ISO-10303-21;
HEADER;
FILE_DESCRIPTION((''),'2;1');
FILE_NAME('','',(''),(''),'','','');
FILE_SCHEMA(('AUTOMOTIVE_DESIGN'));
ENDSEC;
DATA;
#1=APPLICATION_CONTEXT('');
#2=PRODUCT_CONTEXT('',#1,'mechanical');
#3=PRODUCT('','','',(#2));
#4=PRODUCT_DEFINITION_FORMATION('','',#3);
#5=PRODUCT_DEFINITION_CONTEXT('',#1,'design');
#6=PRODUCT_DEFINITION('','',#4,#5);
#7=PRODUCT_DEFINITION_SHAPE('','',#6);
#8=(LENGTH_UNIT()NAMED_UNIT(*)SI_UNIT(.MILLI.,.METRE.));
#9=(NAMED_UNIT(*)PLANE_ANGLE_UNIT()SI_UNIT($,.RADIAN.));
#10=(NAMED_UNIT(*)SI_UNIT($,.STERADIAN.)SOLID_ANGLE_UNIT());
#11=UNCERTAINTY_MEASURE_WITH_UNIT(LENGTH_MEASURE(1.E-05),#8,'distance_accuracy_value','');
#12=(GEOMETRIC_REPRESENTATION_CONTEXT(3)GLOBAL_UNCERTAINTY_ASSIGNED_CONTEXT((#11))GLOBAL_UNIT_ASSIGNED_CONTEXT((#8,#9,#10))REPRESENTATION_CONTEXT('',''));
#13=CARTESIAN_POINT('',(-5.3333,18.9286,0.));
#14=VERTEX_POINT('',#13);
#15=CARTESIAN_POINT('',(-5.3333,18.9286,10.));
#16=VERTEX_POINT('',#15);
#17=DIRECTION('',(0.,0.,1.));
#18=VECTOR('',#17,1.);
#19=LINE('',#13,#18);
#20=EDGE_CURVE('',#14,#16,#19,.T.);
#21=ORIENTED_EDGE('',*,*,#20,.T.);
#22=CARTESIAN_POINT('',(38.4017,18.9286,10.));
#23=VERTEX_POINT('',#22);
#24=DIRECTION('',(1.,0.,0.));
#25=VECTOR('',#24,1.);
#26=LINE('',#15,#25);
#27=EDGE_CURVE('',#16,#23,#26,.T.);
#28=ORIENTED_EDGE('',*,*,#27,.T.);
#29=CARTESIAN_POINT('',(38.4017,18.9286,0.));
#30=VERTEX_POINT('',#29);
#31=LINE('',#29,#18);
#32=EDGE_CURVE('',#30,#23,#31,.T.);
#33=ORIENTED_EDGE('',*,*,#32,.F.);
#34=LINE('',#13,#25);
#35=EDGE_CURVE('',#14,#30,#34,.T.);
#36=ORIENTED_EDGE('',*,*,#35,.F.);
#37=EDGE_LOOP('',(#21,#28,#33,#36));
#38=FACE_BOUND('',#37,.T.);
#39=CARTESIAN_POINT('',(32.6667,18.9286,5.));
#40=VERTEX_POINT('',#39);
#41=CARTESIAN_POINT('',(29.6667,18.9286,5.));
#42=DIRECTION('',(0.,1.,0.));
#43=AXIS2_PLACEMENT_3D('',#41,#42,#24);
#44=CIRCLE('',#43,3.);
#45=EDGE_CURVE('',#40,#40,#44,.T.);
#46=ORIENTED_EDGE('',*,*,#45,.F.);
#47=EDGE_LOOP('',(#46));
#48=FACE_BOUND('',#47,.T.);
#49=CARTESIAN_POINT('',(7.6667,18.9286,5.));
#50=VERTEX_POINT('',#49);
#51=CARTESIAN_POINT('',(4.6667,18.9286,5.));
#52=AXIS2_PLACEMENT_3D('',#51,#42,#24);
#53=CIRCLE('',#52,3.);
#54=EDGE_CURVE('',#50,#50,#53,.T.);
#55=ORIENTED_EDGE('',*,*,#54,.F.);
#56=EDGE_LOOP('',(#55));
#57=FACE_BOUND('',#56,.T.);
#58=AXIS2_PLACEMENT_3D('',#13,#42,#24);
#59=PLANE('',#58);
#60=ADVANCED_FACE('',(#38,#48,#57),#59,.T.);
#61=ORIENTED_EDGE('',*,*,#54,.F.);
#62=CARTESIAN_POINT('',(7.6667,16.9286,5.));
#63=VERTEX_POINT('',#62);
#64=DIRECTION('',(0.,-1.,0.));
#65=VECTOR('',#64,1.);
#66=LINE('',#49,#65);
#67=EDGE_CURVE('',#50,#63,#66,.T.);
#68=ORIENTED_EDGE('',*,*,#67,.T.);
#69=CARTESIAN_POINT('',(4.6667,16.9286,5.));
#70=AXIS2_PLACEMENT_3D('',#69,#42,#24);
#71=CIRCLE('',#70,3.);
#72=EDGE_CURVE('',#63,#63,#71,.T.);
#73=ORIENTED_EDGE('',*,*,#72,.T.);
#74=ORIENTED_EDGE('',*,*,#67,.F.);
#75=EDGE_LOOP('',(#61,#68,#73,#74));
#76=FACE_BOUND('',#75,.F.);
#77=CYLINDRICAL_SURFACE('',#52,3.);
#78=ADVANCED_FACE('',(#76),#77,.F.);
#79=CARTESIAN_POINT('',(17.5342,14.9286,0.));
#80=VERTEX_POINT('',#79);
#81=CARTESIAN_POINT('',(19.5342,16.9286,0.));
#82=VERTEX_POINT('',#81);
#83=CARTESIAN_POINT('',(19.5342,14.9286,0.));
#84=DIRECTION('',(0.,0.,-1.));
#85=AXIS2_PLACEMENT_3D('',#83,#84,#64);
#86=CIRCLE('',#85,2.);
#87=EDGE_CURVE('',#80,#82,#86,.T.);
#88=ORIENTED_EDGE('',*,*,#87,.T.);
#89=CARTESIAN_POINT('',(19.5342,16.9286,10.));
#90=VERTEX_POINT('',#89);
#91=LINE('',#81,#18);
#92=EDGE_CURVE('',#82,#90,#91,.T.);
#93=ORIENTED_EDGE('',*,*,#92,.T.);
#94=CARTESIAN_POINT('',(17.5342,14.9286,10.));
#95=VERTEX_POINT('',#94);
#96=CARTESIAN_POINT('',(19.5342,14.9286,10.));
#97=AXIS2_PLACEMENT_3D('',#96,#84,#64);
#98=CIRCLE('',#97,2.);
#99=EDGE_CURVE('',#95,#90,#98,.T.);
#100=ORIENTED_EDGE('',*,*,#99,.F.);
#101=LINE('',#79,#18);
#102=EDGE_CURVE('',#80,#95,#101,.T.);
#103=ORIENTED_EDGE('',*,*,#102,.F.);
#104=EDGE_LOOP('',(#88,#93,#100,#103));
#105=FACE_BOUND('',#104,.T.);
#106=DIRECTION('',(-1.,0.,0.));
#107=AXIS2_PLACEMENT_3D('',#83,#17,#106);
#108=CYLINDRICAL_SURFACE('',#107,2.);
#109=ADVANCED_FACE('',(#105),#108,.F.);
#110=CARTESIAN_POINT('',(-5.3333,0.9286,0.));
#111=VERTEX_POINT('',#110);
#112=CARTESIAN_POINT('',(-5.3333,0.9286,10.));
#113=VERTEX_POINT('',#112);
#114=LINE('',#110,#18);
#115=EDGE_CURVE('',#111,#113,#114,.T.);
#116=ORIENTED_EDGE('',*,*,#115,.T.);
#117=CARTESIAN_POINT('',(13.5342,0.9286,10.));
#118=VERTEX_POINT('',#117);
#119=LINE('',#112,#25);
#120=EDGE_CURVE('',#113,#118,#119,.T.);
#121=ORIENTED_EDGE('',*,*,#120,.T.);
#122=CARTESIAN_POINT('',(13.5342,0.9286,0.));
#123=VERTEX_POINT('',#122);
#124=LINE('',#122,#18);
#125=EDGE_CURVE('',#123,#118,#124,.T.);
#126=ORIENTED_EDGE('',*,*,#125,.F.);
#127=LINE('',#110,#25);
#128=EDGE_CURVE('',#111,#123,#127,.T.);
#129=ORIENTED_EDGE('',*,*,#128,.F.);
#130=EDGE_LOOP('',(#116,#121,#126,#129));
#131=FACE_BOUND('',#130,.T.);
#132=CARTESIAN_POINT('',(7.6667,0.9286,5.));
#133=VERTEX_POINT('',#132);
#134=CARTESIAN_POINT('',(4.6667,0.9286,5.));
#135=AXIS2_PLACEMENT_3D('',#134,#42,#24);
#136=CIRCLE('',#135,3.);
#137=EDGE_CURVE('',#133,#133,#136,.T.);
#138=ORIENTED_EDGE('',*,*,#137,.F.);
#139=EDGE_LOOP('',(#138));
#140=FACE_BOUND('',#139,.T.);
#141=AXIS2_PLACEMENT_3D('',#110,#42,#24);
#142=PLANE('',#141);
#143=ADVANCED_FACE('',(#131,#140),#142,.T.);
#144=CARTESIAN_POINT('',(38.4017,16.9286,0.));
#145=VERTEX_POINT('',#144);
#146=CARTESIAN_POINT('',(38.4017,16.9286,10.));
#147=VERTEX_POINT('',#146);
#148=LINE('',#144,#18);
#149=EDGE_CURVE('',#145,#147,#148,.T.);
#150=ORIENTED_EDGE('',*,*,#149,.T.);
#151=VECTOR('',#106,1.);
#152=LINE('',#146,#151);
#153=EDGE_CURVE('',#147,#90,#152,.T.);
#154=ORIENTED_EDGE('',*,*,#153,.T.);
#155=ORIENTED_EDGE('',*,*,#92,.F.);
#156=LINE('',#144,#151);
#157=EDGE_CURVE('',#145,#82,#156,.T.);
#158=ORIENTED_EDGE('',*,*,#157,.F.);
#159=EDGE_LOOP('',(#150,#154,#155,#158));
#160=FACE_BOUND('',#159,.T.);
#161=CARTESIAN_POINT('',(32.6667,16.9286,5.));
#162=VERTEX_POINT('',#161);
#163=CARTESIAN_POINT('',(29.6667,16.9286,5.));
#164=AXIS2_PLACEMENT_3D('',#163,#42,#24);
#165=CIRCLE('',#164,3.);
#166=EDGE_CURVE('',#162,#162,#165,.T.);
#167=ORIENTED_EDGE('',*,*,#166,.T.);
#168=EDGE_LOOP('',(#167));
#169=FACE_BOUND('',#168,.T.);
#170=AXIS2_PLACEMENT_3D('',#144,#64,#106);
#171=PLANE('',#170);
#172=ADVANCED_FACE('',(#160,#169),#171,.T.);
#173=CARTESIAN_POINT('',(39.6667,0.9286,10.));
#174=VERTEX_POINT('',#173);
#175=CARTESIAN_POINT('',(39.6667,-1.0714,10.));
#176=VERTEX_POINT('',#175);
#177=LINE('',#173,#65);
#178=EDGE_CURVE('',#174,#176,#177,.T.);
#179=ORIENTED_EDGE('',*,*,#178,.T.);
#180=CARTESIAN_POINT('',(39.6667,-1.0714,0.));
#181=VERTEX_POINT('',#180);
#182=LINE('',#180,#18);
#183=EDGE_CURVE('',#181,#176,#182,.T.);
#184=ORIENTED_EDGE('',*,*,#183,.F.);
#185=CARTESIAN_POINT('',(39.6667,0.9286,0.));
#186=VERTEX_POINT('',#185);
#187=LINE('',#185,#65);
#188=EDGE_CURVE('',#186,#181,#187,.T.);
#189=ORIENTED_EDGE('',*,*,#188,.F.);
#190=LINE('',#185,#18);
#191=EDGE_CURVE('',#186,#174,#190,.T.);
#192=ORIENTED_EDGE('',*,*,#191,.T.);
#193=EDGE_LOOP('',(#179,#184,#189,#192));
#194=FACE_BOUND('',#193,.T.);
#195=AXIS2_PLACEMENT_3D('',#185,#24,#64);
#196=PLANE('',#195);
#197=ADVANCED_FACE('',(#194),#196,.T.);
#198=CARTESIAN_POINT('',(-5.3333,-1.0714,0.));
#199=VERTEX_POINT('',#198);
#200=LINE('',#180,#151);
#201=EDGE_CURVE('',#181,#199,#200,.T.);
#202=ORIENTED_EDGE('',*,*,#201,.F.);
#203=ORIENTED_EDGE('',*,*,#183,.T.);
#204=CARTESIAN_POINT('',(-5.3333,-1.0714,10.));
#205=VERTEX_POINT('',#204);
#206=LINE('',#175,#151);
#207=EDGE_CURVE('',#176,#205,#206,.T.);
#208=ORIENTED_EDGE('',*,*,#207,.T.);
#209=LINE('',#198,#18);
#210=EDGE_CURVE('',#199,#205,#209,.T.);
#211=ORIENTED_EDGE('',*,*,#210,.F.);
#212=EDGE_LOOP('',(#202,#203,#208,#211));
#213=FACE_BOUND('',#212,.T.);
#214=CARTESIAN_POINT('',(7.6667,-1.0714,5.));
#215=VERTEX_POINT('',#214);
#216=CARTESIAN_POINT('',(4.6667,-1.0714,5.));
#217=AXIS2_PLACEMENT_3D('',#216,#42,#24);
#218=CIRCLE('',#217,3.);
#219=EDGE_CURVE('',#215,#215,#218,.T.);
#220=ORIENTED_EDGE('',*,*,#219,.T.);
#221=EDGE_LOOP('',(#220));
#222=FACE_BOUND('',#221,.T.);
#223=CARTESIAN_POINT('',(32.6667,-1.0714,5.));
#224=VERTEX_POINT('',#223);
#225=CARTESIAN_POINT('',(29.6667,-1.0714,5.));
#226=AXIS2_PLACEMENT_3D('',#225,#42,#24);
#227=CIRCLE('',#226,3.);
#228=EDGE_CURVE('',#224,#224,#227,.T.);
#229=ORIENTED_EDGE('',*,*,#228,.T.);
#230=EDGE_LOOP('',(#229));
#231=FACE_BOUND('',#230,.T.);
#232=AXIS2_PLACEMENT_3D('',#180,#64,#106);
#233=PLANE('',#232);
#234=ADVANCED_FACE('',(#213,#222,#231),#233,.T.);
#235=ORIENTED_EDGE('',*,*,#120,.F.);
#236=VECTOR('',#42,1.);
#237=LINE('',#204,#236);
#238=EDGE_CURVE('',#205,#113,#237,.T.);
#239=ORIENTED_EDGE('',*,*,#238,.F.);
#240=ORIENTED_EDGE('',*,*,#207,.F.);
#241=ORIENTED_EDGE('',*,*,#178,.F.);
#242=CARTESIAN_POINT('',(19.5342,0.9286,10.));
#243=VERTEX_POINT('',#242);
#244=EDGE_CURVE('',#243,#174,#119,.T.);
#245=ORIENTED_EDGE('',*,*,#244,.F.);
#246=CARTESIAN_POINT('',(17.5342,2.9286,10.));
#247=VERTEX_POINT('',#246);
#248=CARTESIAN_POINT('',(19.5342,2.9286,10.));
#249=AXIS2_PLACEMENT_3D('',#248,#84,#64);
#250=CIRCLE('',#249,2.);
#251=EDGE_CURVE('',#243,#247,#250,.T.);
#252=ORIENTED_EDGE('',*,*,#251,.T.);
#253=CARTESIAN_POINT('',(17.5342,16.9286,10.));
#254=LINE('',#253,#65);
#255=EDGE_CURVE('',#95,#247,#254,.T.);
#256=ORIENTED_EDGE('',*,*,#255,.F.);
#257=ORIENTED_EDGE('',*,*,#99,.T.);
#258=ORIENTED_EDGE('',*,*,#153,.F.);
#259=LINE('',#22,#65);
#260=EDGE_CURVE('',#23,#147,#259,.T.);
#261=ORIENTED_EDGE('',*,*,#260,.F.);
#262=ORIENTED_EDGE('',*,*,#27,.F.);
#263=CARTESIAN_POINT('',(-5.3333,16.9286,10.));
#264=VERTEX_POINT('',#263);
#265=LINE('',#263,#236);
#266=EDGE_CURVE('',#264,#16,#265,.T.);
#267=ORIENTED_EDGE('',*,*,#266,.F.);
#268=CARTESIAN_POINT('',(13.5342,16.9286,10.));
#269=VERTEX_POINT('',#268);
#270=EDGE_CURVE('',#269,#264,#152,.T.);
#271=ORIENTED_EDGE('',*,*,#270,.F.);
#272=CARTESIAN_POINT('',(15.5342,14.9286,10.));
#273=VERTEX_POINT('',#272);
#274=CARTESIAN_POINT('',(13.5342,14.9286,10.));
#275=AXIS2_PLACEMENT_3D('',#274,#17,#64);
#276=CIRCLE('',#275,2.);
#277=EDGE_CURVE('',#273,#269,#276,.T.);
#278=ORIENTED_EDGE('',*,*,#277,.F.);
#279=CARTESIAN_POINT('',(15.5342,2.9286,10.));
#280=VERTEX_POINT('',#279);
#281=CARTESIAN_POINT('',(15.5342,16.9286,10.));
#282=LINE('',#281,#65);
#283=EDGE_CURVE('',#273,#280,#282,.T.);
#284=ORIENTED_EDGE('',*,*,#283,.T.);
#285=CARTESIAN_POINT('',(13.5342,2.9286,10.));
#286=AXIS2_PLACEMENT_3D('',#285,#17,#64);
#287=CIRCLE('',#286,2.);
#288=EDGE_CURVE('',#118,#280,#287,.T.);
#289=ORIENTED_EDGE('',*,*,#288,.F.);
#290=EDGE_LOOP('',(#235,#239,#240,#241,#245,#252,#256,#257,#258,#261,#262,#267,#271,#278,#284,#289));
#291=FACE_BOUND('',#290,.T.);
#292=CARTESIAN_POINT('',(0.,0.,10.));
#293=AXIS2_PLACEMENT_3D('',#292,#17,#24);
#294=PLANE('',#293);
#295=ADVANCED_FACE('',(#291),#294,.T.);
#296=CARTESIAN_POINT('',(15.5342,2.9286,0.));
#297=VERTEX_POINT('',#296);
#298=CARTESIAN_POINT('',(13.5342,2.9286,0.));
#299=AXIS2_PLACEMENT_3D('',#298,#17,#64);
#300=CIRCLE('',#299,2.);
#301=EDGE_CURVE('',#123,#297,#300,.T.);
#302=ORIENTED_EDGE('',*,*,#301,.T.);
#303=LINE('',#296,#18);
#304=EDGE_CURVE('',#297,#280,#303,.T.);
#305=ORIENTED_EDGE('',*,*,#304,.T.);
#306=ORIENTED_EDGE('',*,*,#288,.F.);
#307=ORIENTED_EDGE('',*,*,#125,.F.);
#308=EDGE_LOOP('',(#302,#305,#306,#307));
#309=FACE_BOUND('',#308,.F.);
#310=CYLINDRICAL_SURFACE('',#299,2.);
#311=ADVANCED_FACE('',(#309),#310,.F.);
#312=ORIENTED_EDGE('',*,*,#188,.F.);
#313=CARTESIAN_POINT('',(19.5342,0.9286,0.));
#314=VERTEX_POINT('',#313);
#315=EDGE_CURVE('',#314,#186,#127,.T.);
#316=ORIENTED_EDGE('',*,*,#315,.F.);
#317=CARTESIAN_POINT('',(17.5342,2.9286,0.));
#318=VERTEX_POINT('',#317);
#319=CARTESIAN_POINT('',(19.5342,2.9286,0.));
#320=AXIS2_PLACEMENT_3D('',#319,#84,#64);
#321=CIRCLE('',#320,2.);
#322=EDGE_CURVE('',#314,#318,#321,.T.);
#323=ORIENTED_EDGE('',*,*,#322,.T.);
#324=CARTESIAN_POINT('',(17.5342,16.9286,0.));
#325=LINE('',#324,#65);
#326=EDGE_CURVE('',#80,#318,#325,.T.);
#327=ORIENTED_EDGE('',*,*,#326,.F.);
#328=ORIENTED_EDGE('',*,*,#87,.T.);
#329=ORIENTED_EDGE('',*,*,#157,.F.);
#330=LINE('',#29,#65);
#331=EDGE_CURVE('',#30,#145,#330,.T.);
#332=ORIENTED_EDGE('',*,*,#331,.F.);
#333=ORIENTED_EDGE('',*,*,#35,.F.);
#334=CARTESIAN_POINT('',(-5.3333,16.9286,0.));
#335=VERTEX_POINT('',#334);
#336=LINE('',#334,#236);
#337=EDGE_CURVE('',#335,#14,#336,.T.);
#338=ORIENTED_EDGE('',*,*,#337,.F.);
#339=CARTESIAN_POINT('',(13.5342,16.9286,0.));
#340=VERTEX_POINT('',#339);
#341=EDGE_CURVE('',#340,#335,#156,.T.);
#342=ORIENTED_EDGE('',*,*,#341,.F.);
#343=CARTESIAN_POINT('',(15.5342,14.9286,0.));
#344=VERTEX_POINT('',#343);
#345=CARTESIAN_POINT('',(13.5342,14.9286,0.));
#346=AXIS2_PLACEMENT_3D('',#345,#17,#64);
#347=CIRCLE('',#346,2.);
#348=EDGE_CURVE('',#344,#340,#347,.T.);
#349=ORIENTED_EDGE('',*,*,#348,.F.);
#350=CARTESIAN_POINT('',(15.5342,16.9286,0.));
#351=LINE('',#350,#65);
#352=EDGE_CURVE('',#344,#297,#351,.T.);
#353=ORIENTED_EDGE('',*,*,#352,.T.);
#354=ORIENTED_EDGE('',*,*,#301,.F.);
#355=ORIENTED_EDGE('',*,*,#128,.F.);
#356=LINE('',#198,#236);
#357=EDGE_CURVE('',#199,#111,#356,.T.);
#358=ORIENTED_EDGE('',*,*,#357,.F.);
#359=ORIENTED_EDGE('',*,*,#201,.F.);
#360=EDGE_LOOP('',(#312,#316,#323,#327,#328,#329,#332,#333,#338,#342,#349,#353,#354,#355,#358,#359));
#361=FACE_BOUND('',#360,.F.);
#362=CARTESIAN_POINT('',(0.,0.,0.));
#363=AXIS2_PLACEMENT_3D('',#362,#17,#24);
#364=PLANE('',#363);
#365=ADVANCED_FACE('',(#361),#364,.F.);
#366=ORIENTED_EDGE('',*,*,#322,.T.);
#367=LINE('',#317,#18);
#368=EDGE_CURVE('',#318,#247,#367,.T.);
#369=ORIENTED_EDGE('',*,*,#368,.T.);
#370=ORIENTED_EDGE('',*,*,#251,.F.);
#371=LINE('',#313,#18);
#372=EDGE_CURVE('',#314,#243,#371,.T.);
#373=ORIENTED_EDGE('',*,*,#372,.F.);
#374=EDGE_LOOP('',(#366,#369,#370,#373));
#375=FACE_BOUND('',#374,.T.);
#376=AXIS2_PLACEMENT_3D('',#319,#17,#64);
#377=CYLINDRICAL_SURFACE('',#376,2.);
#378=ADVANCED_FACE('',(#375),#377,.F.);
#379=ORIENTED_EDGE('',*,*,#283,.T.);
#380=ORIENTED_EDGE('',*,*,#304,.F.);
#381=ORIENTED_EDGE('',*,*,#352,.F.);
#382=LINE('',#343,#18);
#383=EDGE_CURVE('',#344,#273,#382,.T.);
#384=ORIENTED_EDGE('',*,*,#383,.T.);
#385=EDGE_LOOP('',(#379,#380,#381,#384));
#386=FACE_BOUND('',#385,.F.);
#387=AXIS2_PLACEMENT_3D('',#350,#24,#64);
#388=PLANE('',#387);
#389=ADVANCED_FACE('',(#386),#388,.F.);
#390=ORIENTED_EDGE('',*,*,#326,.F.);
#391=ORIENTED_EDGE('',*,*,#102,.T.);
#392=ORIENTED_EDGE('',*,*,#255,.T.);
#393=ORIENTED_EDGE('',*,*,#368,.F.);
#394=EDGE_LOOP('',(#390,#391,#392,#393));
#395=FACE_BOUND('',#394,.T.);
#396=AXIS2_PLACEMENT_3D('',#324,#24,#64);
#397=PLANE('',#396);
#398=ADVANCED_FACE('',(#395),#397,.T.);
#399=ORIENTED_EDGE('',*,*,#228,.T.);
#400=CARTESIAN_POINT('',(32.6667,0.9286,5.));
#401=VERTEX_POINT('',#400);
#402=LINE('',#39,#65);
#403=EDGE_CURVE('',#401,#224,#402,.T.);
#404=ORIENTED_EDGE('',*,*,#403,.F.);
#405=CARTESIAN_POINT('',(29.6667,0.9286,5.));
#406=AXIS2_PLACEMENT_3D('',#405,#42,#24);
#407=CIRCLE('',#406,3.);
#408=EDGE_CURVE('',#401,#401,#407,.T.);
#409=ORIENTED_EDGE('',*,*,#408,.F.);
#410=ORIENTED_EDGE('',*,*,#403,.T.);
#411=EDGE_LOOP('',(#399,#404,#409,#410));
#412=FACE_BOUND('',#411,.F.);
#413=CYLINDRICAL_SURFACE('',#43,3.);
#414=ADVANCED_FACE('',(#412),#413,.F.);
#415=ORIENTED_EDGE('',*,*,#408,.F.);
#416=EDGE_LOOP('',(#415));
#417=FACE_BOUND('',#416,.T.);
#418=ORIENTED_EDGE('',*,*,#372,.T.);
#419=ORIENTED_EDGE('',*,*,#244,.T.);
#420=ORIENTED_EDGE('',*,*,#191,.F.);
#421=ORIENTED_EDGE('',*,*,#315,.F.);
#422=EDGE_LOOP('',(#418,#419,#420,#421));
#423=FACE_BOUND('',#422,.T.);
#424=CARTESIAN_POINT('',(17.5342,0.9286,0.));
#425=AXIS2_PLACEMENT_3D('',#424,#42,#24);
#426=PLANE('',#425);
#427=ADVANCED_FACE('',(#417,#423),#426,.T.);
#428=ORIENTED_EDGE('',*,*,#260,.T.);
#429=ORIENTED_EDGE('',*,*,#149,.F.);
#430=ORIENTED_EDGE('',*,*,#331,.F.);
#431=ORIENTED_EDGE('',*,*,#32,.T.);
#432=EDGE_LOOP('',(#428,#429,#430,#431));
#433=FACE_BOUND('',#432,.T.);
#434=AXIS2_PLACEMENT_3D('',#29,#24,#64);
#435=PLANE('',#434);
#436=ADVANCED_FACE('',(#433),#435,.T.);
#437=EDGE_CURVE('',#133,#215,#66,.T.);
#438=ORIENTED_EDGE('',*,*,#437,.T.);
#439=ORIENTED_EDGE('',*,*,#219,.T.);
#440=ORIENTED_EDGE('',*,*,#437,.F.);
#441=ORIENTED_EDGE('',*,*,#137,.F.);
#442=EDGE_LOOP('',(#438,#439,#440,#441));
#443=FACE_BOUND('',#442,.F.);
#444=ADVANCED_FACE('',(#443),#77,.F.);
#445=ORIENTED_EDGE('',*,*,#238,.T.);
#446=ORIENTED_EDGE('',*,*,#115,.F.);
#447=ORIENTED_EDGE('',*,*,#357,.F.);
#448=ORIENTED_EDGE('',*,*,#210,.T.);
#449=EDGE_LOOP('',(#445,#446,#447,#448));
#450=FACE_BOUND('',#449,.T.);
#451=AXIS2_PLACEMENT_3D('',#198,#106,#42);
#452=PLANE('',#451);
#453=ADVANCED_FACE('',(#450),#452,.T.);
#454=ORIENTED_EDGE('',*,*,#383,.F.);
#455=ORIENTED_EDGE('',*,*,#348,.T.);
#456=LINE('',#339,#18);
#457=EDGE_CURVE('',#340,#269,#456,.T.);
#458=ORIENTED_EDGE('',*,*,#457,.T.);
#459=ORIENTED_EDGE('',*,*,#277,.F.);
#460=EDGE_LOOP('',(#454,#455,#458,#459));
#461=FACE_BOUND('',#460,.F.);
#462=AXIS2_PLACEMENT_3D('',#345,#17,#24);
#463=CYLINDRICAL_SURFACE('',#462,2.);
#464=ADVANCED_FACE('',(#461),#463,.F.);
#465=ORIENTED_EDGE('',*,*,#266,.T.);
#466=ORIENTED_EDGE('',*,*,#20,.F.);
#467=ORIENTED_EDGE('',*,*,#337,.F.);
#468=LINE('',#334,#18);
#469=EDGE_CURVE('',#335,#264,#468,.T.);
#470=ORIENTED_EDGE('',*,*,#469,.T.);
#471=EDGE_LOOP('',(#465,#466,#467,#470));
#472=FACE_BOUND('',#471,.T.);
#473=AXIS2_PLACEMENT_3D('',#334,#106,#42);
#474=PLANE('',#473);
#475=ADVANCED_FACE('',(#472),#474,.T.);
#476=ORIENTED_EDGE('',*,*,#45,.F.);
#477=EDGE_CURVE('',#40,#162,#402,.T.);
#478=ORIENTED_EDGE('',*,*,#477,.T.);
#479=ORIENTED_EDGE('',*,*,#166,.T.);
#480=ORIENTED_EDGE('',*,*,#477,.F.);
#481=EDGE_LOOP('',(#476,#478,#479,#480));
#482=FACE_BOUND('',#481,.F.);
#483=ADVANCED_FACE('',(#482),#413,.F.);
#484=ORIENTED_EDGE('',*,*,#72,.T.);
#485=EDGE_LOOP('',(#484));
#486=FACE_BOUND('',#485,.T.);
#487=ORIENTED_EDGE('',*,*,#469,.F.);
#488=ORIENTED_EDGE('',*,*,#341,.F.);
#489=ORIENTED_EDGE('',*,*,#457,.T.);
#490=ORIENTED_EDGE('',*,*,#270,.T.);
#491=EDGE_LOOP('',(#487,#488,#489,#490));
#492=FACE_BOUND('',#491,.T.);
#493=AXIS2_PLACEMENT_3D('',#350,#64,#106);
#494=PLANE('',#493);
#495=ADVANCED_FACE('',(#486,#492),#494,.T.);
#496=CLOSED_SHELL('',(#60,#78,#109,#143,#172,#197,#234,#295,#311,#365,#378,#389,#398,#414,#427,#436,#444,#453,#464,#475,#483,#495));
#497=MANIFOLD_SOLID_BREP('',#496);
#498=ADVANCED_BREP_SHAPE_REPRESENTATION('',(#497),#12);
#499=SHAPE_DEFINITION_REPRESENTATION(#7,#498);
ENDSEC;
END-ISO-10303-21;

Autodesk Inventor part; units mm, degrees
ref_plane "YZ Plane" through (0, 0, 0) normal (1, 0, 0) x (0, 1, 0)
ref_plane "XZ Plane" through (0, 0, 0) normal (0, 1, 0) x (-1, 0, 0)
ref_plane "XY Plane" through (0, 0, 0) normal (0, 0, 1) x (1, 0, 0)
sketch "Sketch1" plane through (0, 0, 0) normal (0, 0, 1) x (1, 0, 0)
  line L0 (-5.3333, 0.9286) -> (39.6667, 0.9286)
  line L1 (39.6667, 0.9286) -> (39.6667, -1.0714)
  line L2 (39.6667, -1.0714) -> (-5.3333, -1.0714)
  line L3 (-5.3333, -1.0714) -> (-5.3333, 0.9286)
  line L4 (-5.3333, 18.9286) -> (38.4017, 18.9286)
  line L5 (38.4017, 18.9286) -> (38.4017, 16.9286)
  line L6 (38.4017, 16.9286) -> (-5.3333, 16.9286)
  line L7 (-5.3333, 16.9286) -> (-5.3333, 18.9286)
  line L8 (16.5342, 16.9286) -> (15.5342, 16.9286)
  line L9 (15.5342, 16.9286) -> (15.5342, 0.9286)
  line L10 (15.5342, 0.9286) -> (16.5342, 0.9286)
  line L11 (16.5342, 0.9286) -> (16.5342, 16.9286)
  line L12 (16.5342, 16.9286) -> (17.5342, 16.9286)
  line L13 (17.5342, 16.9286) -> (17.5342, 0.9286)
  line L14 (17.5342, 0.9286) -> (16.5342, 0.9286)
  line L15 (16.5342, 0.9286) -> (16.5342, 16.9286)
  point P0 (0, 0)
  dimension "d0" = 2
  dimension "d1" = 45
  dimension "d2" = 2
  dimension "d3" = 1
  dimension "d4" = 1
  dimension "d5" = 20
extrude "Extrusion1" add sketch "Sketch1" along normal blind 10
sketch "Sketch2" plane through (-5.3333, 18.9286, 0) normal (0, 1, 0) x (1, 0, 0)
  circle A0 centre (10, -5) radius 3
  circle A1 centre (35, -5) radius 3
  line L0 (0, 0) -> (0, -10) projected
  line L1 (45, 0) -> (45, -10) projected
  line L2 (43.735, 0) -> (0, 0) projected
  point P0 (5.3333, 0)
  dimension "d8" = 6
  dimension "d9" = 6
  dimension "d10" = 10
  dimension "d11" = 10
  dimension "d12" = 5
  dimension "d13" = 5
extrude "Extrusion2" cut sketch "Sketch2" against normal blind 20
fillet "Fillet1" radius 2 4 edges at (17.5342, 0.9286, 5) (15.5342, 0.9286, 5) (17.5342, 16.9286, 5) (15.5342, 16.9286, 5)
properties part number "Slider ver2"
